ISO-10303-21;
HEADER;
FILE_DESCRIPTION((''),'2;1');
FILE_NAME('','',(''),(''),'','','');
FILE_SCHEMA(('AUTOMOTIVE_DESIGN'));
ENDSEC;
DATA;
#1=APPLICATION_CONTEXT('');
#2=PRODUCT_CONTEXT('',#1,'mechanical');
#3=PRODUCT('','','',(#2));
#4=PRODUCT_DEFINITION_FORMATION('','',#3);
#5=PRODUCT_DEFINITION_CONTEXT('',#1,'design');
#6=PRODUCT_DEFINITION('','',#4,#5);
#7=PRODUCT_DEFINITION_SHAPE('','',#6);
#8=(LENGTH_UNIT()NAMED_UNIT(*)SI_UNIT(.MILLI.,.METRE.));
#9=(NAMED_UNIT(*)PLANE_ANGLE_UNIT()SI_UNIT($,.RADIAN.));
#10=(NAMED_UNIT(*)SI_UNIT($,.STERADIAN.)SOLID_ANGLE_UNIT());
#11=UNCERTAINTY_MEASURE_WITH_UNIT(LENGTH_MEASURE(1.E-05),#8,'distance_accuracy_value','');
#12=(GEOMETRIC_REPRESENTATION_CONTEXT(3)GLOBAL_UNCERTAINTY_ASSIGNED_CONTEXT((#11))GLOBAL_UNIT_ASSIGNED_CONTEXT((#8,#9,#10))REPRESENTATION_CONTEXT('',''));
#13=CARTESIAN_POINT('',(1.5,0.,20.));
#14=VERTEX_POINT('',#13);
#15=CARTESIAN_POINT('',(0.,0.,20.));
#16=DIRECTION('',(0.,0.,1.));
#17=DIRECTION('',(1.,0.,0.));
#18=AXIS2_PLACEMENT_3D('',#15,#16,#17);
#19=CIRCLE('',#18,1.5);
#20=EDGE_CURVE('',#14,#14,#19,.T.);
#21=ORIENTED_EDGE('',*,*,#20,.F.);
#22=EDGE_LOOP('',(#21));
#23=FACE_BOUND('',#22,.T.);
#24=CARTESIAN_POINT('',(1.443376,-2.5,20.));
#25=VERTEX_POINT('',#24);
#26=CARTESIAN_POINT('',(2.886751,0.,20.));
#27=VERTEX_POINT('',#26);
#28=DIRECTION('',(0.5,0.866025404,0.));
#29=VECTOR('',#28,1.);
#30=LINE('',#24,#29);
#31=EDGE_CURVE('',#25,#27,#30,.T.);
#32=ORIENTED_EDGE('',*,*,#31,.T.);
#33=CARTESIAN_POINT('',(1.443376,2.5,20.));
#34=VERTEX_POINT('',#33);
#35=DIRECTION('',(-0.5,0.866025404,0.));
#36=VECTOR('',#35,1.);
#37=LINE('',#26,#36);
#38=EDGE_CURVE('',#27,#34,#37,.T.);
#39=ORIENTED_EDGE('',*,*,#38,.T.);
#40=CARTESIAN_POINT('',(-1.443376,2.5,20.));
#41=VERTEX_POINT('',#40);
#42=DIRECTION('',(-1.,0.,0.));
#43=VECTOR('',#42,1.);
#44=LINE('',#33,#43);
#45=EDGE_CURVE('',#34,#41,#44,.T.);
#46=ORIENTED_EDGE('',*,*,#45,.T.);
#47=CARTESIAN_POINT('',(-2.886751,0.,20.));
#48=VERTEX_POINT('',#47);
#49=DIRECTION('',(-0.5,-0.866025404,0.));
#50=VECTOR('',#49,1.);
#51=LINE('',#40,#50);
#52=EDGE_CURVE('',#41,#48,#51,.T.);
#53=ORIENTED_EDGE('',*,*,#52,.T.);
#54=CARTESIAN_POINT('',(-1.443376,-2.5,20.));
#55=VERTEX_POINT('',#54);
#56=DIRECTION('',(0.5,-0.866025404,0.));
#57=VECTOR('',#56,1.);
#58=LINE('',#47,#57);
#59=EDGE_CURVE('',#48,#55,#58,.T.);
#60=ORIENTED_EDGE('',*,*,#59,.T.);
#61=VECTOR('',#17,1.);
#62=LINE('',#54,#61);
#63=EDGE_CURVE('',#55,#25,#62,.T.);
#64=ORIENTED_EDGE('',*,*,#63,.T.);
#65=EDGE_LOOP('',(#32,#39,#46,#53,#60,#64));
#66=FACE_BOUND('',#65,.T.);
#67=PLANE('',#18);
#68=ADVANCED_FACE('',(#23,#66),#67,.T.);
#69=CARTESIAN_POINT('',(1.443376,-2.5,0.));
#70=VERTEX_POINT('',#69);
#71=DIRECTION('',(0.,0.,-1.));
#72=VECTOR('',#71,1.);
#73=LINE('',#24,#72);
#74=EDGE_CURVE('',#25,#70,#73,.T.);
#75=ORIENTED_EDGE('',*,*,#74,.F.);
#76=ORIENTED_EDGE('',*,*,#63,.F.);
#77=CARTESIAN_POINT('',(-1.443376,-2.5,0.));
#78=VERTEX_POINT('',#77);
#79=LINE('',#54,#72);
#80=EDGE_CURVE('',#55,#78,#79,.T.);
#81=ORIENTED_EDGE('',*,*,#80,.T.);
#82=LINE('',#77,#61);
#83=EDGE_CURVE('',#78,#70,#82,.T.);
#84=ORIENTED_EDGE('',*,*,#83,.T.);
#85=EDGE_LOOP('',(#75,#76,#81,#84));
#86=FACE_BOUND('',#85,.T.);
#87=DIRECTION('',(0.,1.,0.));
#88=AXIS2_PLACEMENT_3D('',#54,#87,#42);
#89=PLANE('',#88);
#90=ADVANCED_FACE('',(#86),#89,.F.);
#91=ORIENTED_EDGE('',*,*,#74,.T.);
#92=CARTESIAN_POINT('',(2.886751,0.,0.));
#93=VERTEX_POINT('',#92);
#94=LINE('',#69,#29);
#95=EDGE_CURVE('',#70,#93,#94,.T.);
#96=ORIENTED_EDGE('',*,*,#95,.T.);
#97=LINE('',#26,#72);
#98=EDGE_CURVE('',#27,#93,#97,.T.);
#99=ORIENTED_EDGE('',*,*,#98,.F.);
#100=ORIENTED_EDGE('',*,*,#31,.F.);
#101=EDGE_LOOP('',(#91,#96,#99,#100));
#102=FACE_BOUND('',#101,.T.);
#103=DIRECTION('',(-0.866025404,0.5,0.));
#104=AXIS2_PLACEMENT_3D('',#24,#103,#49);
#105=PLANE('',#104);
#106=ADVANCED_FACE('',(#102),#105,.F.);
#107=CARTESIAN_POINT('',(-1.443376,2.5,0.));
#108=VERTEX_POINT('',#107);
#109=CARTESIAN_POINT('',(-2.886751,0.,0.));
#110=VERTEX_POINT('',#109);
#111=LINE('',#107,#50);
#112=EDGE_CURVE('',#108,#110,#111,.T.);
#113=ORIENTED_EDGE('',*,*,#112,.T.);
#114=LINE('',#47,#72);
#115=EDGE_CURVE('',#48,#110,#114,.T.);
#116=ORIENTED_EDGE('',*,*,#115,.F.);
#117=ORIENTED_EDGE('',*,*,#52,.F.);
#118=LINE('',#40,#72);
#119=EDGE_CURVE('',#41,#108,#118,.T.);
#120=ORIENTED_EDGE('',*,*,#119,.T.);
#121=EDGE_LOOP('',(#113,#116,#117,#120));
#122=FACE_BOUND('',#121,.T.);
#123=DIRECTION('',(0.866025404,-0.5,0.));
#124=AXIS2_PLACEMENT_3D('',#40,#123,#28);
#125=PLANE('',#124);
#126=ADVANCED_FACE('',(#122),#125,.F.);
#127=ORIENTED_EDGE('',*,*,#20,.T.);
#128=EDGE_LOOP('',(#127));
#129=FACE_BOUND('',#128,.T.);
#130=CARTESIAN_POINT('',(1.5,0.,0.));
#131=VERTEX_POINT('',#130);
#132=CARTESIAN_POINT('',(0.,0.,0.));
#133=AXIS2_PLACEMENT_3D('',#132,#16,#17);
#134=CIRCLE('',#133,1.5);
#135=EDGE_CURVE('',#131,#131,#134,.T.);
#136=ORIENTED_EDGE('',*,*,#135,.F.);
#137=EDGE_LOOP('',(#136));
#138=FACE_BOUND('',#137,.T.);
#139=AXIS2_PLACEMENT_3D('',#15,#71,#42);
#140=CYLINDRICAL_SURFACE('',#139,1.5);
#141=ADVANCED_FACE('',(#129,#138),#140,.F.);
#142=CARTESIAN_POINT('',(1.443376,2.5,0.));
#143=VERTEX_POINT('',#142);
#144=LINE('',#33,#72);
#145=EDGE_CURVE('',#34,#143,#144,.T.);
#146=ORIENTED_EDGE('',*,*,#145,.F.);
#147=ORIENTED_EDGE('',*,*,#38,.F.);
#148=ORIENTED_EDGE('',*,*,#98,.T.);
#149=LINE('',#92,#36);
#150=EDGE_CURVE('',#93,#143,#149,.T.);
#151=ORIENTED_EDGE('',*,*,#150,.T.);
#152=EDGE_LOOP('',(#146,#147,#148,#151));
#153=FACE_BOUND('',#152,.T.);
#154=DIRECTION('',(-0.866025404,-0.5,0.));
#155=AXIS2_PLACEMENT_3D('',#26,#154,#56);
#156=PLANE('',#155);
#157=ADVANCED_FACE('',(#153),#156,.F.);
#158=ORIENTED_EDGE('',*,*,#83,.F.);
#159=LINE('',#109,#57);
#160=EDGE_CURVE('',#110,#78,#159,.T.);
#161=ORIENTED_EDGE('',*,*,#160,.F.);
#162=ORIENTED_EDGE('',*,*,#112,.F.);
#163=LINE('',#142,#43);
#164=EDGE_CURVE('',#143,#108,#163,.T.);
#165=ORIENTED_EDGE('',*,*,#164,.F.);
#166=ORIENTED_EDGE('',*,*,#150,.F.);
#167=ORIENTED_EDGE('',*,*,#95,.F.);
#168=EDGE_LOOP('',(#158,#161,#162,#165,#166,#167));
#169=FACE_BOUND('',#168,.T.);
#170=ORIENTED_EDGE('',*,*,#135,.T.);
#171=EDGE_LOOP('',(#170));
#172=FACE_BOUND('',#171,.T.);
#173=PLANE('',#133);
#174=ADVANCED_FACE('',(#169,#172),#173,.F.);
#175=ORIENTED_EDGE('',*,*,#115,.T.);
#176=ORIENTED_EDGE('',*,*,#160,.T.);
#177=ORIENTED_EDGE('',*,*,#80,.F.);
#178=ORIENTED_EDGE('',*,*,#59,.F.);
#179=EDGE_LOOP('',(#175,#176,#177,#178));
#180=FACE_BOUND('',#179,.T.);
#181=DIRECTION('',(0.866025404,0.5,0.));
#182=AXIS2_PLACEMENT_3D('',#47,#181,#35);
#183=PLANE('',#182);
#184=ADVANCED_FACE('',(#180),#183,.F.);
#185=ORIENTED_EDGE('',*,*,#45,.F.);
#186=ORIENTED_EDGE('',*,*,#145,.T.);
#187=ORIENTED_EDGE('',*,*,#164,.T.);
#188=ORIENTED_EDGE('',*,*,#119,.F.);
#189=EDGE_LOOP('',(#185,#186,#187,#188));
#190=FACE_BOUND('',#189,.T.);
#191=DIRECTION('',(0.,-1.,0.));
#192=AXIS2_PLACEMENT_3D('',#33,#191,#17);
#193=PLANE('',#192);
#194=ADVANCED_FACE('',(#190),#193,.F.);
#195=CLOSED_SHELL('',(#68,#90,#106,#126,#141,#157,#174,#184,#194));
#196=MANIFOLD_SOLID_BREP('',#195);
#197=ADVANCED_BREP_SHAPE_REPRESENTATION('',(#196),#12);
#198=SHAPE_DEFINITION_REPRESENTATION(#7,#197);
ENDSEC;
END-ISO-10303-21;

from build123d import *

# Parameters (mm, degrees)
SKETCH_1_R      = 1.5
EXTRUDE_1_DEPTH = 20


with BuildPart() as part:
    # 草图1 → 凸台-拉伸1 (new body)
    with BuildSketch(Plane.XY):
        Polygon((1.443375673, -2.5), (2.886751346, 0), (1.443375673, 2.5), (-1.443375673, 2.5), (-2.886751346, 0), (-1.443375673, -2.5), align=None)
        Circle(SKETCH_1_R, mode=Mode.SUBTRACT)
    extrude(amount=EXTRUDE_1_DEPTH)


solid = part.part
